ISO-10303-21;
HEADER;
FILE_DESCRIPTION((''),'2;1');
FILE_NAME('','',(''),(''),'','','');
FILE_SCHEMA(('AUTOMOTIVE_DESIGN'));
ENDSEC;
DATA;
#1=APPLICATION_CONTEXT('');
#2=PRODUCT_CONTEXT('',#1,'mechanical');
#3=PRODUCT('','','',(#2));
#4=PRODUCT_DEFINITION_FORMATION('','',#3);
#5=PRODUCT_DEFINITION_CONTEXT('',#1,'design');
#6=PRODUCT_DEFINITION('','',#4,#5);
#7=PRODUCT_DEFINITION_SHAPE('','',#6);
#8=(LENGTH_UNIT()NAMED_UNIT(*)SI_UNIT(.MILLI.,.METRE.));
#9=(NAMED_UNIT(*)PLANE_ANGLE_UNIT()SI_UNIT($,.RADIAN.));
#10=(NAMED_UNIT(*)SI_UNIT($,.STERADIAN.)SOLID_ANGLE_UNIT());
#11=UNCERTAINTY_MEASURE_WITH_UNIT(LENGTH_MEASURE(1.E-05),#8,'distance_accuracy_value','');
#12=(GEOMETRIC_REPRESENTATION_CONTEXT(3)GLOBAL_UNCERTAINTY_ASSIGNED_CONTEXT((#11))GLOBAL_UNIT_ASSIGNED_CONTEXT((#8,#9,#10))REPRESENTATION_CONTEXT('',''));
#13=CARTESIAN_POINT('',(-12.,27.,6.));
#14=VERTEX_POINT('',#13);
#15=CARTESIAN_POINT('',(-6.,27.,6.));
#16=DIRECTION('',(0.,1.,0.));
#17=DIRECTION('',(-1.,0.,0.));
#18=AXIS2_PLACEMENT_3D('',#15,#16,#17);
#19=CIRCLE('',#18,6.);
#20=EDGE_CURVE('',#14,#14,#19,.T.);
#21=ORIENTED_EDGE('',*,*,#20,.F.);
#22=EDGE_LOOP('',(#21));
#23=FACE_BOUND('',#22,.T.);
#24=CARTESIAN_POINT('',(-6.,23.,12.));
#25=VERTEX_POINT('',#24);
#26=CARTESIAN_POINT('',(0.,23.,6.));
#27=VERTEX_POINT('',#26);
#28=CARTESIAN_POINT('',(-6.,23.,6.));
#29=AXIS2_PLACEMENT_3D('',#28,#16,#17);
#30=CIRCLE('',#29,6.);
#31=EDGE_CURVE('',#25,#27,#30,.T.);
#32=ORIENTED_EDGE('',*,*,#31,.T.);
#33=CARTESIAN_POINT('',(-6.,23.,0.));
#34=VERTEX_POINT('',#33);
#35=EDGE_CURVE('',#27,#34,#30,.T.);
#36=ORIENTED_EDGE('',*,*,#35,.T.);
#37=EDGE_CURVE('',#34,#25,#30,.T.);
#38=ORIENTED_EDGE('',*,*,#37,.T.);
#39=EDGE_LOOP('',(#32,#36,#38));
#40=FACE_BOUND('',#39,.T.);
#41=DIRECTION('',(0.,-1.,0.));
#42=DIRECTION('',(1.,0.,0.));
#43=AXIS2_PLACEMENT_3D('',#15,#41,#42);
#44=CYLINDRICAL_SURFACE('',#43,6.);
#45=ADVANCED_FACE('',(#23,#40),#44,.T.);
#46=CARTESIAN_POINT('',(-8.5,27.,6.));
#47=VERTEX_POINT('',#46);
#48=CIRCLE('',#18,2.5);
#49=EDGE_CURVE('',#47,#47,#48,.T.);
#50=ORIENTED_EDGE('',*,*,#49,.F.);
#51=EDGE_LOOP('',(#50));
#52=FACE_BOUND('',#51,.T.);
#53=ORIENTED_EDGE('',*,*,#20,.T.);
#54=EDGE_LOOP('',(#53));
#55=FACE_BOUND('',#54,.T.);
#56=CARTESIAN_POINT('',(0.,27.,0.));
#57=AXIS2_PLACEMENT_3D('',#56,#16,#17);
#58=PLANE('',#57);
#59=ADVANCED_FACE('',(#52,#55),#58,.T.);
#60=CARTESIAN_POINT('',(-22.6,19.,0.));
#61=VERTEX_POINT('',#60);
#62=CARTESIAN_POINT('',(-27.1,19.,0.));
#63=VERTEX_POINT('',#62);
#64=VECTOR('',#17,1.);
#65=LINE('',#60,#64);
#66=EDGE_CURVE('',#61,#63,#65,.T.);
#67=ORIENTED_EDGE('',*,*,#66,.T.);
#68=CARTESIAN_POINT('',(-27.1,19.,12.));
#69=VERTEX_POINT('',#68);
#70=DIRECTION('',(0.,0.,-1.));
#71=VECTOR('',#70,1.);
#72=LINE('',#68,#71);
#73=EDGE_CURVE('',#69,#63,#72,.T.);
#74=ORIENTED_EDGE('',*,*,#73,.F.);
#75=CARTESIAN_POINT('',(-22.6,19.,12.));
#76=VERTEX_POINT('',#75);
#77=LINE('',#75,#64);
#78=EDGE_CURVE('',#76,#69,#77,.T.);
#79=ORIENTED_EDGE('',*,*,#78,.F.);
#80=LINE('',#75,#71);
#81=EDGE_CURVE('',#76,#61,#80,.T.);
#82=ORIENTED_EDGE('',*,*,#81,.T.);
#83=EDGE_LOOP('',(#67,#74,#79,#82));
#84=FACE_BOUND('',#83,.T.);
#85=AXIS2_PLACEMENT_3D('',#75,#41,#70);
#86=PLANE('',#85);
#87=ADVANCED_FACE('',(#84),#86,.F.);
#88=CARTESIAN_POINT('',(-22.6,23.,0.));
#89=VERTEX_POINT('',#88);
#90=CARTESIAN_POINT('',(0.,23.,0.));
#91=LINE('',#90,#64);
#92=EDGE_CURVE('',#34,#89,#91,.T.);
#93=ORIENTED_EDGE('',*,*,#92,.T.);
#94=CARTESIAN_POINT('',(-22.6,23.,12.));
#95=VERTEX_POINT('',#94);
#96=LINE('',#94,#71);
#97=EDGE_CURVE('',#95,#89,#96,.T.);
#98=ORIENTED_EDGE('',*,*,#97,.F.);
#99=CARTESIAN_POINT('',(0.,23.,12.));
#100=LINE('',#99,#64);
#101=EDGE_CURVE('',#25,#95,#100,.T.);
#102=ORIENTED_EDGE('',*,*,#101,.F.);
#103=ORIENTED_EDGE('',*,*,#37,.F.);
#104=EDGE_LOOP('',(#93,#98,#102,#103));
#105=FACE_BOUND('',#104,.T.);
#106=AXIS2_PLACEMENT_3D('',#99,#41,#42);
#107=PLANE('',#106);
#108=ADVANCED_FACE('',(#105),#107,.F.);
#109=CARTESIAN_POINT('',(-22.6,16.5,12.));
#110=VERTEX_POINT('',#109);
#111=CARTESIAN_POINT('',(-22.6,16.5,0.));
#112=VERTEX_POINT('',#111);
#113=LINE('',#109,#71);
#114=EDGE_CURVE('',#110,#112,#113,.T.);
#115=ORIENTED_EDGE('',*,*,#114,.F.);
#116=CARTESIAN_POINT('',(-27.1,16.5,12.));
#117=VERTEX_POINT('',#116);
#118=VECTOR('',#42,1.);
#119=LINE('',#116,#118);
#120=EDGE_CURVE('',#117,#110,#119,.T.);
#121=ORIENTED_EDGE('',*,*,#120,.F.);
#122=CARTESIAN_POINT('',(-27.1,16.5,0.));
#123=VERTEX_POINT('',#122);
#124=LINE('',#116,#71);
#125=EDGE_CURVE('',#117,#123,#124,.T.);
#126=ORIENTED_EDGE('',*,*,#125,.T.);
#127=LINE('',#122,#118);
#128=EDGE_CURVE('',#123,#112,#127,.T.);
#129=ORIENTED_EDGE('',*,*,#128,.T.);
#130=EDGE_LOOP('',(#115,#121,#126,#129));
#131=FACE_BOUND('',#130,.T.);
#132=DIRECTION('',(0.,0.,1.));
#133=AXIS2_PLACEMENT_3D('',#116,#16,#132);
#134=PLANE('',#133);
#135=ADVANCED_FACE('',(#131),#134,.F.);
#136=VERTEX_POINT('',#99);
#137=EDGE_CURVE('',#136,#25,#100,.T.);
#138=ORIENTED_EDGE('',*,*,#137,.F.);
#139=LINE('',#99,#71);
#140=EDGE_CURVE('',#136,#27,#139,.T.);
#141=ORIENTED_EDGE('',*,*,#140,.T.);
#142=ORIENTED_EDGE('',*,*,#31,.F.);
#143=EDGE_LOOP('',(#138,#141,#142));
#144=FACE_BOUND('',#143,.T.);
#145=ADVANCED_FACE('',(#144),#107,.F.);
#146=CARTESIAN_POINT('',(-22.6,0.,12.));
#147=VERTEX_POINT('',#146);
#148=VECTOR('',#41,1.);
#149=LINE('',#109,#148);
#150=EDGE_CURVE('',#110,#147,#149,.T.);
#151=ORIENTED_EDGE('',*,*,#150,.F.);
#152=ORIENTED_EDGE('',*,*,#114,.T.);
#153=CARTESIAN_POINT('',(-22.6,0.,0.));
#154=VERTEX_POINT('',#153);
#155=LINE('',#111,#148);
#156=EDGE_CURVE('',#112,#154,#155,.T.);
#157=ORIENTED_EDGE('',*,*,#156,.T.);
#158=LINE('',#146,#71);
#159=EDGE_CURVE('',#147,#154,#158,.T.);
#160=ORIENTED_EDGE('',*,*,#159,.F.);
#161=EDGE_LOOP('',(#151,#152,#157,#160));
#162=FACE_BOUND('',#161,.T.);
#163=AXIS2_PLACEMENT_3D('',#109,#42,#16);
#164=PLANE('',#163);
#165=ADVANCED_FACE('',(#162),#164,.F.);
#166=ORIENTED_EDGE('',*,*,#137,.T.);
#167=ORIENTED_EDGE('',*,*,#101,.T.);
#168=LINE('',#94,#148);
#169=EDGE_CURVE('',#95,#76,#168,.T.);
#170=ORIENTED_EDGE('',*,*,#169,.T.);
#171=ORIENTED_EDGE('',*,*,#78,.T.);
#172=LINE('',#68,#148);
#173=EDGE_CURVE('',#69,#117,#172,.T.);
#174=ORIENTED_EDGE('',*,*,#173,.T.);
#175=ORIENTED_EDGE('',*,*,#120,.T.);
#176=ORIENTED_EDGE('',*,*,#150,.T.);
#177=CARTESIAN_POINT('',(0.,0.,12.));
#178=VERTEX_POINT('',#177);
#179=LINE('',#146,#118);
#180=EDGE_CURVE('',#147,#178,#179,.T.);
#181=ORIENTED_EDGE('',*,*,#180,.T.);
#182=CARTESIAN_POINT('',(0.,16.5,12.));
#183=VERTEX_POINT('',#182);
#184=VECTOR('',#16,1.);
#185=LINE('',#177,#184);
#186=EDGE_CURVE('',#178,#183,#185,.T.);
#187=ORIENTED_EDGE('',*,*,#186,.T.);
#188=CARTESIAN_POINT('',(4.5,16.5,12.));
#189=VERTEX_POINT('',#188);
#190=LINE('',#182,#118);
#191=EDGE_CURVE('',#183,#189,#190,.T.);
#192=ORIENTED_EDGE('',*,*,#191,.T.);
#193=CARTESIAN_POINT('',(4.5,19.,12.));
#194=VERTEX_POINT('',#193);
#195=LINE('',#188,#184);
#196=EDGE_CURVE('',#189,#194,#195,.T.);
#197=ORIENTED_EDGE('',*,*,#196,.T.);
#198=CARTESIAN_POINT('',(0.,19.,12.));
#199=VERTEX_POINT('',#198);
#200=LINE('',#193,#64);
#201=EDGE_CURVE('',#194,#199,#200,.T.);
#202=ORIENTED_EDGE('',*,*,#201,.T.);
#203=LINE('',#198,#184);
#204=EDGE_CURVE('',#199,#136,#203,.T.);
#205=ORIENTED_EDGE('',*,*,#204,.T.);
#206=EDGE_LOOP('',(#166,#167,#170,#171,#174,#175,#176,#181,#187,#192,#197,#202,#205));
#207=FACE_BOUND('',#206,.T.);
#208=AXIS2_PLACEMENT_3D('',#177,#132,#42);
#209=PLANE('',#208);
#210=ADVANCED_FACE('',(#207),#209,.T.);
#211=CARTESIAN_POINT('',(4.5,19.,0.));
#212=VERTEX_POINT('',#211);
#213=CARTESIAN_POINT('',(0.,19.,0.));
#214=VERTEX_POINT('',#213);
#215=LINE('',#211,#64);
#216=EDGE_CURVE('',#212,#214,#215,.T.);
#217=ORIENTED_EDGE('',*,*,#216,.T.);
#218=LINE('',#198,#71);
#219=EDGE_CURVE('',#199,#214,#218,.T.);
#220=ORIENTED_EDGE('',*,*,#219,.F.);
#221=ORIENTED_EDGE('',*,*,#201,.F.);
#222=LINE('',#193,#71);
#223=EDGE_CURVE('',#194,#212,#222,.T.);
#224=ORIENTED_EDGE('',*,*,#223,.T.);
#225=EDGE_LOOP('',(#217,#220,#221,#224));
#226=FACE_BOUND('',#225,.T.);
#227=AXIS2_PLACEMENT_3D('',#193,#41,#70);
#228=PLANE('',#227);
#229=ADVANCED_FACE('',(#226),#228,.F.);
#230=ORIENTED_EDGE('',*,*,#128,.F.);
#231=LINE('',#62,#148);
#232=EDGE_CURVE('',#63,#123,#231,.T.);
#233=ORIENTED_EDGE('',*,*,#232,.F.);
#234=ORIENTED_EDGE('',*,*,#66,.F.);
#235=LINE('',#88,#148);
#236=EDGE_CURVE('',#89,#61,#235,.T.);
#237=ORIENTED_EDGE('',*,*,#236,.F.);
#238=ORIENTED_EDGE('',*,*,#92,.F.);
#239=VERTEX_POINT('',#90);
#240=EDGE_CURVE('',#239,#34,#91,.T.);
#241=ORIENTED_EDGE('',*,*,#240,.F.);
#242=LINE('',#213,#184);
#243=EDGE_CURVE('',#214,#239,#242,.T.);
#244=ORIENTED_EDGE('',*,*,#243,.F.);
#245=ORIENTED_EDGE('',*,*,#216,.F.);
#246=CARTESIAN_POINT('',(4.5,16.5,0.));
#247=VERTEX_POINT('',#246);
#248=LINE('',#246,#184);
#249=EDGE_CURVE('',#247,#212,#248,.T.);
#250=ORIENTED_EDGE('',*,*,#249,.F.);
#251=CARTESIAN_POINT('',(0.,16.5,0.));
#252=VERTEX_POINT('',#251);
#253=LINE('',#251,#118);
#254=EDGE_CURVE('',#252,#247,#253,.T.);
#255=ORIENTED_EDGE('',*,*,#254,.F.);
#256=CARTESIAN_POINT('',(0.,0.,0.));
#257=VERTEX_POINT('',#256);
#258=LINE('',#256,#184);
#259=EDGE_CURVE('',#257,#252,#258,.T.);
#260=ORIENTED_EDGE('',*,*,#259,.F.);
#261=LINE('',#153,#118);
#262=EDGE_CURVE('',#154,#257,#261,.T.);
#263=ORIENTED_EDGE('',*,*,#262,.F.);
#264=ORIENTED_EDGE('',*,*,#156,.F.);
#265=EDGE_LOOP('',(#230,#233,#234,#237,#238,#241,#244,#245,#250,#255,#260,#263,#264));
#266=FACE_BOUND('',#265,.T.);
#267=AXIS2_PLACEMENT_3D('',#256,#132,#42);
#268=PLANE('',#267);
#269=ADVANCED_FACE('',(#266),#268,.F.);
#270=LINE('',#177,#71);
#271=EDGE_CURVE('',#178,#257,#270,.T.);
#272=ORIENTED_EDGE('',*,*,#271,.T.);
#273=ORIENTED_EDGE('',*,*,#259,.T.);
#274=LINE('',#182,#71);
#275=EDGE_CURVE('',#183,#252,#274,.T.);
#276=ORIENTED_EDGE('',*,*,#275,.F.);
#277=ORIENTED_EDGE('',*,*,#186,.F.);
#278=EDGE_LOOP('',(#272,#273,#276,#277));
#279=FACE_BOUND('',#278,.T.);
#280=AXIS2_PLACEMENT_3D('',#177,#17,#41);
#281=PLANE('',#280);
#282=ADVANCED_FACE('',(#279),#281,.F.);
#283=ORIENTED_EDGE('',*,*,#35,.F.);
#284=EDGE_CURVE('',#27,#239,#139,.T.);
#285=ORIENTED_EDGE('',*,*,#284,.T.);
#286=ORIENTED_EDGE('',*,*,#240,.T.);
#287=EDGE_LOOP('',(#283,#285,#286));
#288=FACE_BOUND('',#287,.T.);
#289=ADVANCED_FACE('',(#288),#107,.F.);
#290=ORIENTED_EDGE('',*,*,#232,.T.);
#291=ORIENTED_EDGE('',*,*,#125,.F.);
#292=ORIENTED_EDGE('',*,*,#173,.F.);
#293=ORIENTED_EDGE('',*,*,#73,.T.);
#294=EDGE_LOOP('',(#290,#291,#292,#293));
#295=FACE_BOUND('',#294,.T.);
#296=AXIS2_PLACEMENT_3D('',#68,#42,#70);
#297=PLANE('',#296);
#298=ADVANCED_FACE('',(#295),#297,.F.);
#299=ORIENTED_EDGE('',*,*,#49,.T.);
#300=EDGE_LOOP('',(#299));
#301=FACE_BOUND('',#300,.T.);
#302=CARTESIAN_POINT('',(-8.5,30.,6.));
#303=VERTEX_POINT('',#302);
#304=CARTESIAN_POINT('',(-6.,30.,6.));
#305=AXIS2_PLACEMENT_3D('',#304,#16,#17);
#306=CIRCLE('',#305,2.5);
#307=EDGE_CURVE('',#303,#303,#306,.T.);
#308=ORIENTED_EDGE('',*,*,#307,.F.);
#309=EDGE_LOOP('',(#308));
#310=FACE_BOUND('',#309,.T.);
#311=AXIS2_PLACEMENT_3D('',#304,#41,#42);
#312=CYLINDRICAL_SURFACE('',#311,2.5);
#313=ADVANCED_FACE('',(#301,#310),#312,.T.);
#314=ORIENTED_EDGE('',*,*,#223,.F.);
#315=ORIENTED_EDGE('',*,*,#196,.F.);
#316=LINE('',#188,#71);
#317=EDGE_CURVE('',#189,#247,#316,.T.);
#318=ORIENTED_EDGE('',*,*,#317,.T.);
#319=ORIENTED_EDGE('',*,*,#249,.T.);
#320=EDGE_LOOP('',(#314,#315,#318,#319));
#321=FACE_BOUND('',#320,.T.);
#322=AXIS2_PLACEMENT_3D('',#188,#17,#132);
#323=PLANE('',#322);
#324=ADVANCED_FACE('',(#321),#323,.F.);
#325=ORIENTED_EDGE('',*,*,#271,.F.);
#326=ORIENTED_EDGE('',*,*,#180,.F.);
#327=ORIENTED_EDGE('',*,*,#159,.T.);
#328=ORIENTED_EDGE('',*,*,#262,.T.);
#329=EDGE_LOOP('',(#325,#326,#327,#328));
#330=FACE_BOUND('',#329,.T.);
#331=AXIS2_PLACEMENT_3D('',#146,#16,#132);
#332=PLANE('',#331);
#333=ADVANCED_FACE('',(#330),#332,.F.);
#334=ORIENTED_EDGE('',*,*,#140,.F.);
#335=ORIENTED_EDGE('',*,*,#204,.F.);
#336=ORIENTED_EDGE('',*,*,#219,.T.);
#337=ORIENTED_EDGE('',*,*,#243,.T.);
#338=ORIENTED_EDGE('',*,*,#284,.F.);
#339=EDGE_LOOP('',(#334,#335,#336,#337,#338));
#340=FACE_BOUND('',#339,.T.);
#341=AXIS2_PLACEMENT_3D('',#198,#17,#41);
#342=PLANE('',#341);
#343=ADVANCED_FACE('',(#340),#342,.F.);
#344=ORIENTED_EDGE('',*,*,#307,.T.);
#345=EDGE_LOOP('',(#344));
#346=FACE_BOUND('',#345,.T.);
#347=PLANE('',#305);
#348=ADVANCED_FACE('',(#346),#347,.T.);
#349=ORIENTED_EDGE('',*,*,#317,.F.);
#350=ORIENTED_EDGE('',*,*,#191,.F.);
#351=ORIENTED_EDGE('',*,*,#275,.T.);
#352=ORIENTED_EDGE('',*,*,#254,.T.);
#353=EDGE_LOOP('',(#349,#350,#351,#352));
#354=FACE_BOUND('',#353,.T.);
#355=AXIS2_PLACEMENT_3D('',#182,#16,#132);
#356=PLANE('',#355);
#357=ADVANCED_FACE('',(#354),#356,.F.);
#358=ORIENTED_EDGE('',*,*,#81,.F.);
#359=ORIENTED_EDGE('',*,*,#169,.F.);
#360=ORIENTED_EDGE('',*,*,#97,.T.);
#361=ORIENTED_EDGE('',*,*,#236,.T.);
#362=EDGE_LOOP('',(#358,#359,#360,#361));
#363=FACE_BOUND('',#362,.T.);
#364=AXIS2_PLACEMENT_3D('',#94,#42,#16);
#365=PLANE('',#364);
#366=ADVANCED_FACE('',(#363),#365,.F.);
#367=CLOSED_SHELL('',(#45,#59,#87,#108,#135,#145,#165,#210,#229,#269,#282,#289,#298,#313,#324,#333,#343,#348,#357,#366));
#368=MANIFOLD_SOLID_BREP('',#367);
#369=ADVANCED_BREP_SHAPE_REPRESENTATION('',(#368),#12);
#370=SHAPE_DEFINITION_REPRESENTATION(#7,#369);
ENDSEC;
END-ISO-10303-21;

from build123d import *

# Parameters (mm, degrees)
BOSS_EXTRUDE1_DEPTH = 12
BOSS_EXTRUDE2_DEPTH = 4
SKETCH3_R           = 2.5
BOSS_EXTRUDE3_DEPTH = 3


with BuildPart() as part:
    # Sketch1 → Boss-Extrude1 (new body)
    with BuildSketch(Plane.XY):
        Polygon((0, 0), (0, 16.5), (4.5, 16.5), (4.5, 19), (0, 19), (0, 23), (-22.6, 23), (-22.6, 19), (-27.1, 19), (-27.1, 16.5), (-22.6, 16.5), (-22.6, 0), align=None)
    extrude(amount=BOSS_EXTRUDE1_DEPTH)

    # Sketch2 → Boss-Extrude2 (add)
    with BuildSketch(Plane(origin=(0, 23, 0), x_dir=(1, 0, 0), z_dir=(0, 1, 0))):
        with BuildLine():
            ThreePointArc((-6, 0), (-12, -6), (-6, -12))
            Line((-6, -12), (-6, 0))
        make_face()
        with BuildLine():
            Line((-6, 0), (-6, -12))
            ThreePointArc((-6, -12), (-1.757359313, -10.242640687), (0, -6))
            ThreePointArc((0, -6), (-1.757359313, -1.757359313), (-6, 0))
        make_face()
    extrude(amount=BOSS_EXTRUDE2_DEPTH)

    # Sketch3 → Boss-Extrude3 (add)
    with BuildSketch(Plane(origin=(0, 27, 0), x_dir=(1, 0, 0), z_dir=(0, 1, 0))):
        with Locations(Location((-6, -6, 0), (0, 0, 180))):
            Circle(SKETCH3_R)
    extrude(amount=BOSS_EXTRUDE3_DEPTH)


solid = part.part
